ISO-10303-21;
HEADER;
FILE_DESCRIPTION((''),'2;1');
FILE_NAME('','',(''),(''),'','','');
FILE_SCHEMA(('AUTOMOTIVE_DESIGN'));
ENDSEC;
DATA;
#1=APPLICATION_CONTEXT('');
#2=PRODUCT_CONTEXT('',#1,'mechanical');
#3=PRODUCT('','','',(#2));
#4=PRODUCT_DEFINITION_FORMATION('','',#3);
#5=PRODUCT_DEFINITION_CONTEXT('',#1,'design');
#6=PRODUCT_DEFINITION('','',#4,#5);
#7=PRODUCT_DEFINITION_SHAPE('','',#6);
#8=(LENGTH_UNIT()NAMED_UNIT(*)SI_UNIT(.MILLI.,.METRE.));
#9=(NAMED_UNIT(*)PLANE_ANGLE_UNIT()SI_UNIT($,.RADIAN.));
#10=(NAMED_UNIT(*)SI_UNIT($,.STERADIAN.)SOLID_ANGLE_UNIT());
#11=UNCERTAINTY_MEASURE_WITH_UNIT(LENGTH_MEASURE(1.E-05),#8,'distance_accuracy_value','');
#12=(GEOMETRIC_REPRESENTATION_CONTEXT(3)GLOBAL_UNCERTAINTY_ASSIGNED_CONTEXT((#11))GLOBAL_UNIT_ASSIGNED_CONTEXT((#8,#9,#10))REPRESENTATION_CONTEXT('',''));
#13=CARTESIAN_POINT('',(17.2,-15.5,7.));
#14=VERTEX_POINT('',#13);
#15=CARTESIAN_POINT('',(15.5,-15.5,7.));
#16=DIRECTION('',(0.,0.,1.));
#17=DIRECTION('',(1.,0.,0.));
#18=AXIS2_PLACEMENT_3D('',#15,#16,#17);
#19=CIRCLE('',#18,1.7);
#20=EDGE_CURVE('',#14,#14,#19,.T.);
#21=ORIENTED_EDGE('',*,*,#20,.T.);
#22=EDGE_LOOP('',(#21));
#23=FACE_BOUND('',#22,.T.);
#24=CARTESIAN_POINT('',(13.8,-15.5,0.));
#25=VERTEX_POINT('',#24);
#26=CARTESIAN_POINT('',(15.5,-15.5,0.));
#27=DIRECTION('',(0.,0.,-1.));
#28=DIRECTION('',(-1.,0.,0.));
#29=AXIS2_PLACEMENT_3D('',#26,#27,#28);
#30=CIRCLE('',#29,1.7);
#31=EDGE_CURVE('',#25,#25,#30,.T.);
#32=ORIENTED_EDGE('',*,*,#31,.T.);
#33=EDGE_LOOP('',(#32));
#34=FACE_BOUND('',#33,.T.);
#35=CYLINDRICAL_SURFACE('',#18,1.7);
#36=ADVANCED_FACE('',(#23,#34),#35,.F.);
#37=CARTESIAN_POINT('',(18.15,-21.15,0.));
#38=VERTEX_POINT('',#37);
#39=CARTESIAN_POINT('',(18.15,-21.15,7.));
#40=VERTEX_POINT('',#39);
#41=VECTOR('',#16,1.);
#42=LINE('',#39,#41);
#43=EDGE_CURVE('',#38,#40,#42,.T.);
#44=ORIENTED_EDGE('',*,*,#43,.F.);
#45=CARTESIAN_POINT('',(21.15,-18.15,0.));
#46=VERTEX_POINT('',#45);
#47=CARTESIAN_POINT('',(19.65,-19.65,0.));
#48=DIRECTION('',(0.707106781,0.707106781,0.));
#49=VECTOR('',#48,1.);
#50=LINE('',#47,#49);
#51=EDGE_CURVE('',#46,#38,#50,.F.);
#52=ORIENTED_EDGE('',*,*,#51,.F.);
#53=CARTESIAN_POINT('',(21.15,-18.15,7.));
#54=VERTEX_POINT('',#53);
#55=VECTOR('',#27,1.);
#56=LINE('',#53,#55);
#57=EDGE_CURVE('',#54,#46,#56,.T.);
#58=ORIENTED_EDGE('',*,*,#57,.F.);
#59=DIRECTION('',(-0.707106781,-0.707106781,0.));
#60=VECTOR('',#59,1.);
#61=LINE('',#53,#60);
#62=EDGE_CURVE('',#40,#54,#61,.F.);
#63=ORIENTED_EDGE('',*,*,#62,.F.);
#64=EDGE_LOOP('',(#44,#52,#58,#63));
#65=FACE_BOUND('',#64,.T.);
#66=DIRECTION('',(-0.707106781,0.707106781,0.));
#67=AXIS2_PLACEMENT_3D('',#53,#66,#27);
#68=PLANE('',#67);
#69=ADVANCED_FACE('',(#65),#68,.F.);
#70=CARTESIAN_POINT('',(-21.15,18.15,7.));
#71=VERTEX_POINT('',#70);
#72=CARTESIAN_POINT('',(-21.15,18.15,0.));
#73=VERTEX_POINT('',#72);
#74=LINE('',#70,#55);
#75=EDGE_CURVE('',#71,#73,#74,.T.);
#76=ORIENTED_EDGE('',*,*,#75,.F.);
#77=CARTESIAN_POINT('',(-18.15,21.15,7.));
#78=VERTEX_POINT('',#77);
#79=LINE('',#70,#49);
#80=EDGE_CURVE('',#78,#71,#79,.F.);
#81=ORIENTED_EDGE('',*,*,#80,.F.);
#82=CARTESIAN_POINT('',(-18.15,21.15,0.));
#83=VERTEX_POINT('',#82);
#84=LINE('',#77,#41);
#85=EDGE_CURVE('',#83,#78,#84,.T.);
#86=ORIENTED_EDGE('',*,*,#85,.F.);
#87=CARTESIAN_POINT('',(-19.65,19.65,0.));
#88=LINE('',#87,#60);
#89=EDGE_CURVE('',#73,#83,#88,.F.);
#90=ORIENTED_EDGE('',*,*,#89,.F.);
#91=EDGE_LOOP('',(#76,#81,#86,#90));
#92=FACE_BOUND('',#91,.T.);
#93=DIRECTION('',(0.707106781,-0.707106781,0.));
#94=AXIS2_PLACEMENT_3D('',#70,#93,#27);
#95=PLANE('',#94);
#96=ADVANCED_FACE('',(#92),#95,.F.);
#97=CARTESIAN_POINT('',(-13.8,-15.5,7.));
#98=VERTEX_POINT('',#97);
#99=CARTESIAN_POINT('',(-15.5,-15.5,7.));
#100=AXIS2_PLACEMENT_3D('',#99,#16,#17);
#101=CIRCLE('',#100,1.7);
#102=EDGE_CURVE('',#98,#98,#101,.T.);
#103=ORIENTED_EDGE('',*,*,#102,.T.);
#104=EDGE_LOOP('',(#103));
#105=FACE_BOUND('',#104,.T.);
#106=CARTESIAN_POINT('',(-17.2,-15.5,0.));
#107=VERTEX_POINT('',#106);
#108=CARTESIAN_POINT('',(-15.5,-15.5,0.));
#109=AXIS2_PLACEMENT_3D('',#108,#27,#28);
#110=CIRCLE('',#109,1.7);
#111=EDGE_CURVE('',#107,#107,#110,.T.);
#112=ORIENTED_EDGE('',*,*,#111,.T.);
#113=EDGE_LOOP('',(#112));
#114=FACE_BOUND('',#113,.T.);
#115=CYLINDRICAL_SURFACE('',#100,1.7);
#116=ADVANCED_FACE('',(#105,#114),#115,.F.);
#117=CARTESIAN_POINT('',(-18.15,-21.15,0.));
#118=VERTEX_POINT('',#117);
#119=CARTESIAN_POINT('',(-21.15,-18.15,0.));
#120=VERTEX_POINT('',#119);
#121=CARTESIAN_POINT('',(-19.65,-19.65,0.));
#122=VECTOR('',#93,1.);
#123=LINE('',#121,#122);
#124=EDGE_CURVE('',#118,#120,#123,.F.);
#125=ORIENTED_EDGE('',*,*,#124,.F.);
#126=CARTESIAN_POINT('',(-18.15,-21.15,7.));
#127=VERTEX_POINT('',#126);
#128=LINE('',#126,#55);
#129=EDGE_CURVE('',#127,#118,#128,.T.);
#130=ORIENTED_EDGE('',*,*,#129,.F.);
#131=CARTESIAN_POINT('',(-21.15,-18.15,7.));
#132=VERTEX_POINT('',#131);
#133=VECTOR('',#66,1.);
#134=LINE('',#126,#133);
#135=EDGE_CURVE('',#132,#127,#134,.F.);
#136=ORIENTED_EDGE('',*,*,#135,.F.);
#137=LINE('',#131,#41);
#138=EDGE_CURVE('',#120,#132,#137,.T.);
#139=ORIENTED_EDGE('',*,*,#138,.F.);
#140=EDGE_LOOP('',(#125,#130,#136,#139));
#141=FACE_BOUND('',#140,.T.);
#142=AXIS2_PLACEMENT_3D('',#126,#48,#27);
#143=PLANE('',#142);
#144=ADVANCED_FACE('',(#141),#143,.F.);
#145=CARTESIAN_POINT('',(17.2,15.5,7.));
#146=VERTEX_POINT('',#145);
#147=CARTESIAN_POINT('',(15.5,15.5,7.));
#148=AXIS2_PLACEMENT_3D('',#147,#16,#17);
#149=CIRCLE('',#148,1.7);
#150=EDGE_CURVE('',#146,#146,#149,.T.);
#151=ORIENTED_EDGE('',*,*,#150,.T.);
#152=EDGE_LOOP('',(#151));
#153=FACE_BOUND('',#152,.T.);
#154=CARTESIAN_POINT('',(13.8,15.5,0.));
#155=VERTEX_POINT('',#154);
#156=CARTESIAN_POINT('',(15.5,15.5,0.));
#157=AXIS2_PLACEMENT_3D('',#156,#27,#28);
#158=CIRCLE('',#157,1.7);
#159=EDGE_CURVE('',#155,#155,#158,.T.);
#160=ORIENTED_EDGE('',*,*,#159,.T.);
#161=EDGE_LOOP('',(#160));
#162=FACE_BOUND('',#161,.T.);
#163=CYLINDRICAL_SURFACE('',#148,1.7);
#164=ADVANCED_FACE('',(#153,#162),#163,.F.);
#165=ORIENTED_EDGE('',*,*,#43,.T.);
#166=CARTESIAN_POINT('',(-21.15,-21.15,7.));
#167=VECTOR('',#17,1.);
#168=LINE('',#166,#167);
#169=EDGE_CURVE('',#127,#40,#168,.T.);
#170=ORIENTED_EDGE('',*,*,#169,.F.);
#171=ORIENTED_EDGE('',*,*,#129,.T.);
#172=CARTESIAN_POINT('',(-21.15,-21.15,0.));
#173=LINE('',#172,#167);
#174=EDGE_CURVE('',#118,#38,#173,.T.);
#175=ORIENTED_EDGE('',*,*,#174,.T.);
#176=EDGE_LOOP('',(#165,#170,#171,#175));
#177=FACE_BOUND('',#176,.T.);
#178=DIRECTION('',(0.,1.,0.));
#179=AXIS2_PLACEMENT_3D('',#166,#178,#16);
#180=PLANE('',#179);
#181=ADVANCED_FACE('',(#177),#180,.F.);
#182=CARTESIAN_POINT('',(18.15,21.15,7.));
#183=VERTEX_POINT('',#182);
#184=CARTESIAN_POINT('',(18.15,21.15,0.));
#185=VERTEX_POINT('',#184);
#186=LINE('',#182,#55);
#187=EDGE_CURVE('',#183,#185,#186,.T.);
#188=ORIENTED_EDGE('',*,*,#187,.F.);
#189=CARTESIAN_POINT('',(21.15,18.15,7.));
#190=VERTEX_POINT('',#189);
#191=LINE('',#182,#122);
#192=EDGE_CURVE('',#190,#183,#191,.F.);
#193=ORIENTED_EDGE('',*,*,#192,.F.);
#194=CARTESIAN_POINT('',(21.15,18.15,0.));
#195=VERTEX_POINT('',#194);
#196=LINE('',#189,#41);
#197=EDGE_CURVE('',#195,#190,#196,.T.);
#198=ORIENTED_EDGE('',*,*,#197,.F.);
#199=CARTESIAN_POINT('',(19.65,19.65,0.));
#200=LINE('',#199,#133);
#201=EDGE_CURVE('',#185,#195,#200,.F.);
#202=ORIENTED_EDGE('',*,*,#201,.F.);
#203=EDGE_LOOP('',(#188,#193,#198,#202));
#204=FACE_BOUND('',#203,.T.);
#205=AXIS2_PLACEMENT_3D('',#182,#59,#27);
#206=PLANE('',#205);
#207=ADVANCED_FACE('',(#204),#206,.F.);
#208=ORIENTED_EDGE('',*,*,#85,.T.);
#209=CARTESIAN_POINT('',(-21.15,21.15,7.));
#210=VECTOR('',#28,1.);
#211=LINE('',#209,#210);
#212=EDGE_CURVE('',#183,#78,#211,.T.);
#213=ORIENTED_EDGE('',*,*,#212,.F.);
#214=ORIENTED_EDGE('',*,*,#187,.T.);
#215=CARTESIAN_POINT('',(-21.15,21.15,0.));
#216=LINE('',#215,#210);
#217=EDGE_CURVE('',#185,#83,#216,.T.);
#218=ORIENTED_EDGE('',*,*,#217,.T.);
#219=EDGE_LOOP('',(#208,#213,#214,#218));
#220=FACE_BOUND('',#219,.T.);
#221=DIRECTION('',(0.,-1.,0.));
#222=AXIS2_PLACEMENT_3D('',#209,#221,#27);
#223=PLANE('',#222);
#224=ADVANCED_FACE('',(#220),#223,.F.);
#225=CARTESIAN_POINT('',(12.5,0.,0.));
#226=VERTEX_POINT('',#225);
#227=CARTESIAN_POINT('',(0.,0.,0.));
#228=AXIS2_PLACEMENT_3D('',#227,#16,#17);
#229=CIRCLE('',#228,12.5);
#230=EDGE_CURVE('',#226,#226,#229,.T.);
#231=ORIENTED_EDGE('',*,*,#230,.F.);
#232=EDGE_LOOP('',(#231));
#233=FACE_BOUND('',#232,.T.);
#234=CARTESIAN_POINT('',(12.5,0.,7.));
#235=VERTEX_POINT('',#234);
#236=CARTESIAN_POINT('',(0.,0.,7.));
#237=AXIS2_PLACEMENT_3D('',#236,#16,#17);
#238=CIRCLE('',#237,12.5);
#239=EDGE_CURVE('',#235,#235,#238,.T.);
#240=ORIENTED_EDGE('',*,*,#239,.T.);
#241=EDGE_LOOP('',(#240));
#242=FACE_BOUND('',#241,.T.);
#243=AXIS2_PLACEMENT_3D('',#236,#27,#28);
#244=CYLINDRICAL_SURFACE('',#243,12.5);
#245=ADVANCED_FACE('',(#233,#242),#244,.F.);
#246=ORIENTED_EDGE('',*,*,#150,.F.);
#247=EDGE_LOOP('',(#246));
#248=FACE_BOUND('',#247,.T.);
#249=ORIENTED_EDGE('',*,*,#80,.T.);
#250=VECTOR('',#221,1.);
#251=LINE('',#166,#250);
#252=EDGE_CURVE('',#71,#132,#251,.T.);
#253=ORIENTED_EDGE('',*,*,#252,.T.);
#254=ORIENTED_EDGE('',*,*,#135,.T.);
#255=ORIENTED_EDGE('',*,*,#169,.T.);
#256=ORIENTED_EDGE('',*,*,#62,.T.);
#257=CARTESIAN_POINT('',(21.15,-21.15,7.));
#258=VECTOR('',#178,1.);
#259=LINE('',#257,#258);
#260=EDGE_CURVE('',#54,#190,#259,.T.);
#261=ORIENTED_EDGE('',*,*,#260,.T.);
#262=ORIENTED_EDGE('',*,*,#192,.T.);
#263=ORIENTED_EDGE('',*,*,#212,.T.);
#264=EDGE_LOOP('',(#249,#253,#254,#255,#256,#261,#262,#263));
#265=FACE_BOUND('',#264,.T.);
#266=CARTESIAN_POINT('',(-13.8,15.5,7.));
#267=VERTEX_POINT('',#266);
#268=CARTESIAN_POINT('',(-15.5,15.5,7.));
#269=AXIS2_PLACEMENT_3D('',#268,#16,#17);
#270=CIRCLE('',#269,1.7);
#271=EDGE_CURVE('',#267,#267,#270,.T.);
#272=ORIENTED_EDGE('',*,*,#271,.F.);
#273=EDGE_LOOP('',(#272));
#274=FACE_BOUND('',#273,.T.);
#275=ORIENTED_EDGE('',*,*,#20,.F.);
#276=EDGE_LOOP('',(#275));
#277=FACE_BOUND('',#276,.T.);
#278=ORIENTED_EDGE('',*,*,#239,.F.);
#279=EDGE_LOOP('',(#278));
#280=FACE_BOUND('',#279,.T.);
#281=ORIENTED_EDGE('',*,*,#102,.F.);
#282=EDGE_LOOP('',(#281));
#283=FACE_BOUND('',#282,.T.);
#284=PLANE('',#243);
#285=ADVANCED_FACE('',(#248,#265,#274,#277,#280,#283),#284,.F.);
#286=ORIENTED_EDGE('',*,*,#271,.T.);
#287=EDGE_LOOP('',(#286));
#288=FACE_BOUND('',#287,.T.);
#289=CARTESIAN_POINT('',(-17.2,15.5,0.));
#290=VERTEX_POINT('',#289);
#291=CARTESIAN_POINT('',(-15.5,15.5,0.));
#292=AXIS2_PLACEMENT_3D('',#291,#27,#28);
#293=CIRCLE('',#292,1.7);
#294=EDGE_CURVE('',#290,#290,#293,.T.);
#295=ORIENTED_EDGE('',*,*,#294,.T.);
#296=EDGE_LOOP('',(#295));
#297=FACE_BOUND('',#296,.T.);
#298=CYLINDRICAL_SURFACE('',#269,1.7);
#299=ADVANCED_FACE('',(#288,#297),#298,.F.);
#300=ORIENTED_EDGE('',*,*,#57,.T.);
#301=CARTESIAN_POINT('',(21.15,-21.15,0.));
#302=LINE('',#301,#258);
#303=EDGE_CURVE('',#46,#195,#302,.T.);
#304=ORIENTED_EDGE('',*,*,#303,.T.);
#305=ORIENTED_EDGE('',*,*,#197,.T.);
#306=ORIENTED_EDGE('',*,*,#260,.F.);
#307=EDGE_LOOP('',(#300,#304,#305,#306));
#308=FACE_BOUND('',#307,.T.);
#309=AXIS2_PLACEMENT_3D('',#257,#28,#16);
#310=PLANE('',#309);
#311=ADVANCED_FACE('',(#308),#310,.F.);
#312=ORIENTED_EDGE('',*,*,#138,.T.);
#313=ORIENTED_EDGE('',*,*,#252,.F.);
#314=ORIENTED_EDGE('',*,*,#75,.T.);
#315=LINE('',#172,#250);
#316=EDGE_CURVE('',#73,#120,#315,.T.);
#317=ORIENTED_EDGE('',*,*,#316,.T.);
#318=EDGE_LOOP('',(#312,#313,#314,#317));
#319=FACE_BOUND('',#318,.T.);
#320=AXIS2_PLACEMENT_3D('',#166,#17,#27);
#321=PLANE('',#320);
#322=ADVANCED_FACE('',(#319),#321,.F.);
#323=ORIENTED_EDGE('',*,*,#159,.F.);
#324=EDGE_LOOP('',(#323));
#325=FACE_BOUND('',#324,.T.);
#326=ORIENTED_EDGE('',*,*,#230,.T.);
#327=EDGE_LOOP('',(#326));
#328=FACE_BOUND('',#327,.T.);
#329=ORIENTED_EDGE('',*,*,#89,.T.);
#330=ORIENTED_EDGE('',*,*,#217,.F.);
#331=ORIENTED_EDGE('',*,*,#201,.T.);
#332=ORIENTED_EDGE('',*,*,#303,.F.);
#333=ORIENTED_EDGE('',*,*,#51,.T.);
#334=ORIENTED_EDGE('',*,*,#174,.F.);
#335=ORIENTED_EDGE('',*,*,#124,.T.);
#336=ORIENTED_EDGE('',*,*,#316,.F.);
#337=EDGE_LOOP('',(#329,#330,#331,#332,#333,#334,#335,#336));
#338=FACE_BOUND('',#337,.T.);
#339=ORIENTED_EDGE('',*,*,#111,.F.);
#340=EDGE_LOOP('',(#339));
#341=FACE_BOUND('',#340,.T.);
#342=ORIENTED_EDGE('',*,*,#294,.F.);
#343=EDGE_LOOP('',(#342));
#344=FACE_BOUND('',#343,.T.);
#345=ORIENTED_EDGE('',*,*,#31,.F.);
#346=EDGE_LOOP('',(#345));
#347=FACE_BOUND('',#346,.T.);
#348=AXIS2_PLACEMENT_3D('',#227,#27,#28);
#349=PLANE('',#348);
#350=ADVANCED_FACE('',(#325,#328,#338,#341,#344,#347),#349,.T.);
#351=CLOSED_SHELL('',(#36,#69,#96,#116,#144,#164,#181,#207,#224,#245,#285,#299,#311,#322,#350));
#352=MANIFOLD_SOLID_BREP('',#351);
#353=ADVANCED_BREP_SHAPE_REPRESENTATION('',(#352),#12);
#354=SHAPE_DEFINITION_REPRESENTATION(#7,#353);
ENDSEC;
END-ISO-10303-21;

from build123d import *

# Parameters (mm, degrees)
SKETCH1_W                = 42.3
SKETCH1_H                = 42.3
SKETCH1_R                = 12.5
BOSS_EXTRUDE1_DEPTH      = 7
CHAMFER1_SIZE            = 3
M3_CLEARANCE_HOLE1_D     = 3.4
M3_CLEARANCE_HOLE1_DEPTH = 7.5
M3_CLEARANCE_HOLE1_TIP   = 1.021463052


with BuildPart() as part:
    # Sketch1 → Boss-Extrude1 (new body)
    with BuildSketch(Plane.XY):
        Rectangle(SKETCH1_W, SKETCH1_H)
        Circle(SKETCH1_R, mode=Mode.SUBTRACT)
    extrude(amount=BOSS_EXTRUDE1_DEPTH)

    # Chamfer1
    chamfer1_edges = [part.edges().sort_by_distance(p)[0] for p in [
        (21.15, -21.15, 3.5),
        (-21.15, -21.15, 3.5),
        (-21.15, 21.15, 3.5),
        (21.15, 21.15, 3.5),
    ]]
    chamfer(chamfer1_edges, length=CHAMFER1_SIZE)

    # M3 Clearance Hole1
    with Locations(Plane.XY.offset(7)):
        with Locations((15.5, 15.5), (-15.5, 15.5), (-15.5, -15.5), (15.5, -15.5)):
            Hole(M3_CLEARANCE_HOLE1_D / 2, depth=M3_CLEARANCE_HOLE1_DEPTH)
            with Locations((0, 0, -(M3_CLEARANCE_HOLE1_DEPTH + M3_CLEARANCE_HOLE1_TIP / 2))):  # 118° drill point
                Cone(0, M3_CLEARANCE_HOLE1_D / 2, M3_CLEARANCE_HOLE1_TIP, mode=Mode.SUBTRACT)


solid = part.part
